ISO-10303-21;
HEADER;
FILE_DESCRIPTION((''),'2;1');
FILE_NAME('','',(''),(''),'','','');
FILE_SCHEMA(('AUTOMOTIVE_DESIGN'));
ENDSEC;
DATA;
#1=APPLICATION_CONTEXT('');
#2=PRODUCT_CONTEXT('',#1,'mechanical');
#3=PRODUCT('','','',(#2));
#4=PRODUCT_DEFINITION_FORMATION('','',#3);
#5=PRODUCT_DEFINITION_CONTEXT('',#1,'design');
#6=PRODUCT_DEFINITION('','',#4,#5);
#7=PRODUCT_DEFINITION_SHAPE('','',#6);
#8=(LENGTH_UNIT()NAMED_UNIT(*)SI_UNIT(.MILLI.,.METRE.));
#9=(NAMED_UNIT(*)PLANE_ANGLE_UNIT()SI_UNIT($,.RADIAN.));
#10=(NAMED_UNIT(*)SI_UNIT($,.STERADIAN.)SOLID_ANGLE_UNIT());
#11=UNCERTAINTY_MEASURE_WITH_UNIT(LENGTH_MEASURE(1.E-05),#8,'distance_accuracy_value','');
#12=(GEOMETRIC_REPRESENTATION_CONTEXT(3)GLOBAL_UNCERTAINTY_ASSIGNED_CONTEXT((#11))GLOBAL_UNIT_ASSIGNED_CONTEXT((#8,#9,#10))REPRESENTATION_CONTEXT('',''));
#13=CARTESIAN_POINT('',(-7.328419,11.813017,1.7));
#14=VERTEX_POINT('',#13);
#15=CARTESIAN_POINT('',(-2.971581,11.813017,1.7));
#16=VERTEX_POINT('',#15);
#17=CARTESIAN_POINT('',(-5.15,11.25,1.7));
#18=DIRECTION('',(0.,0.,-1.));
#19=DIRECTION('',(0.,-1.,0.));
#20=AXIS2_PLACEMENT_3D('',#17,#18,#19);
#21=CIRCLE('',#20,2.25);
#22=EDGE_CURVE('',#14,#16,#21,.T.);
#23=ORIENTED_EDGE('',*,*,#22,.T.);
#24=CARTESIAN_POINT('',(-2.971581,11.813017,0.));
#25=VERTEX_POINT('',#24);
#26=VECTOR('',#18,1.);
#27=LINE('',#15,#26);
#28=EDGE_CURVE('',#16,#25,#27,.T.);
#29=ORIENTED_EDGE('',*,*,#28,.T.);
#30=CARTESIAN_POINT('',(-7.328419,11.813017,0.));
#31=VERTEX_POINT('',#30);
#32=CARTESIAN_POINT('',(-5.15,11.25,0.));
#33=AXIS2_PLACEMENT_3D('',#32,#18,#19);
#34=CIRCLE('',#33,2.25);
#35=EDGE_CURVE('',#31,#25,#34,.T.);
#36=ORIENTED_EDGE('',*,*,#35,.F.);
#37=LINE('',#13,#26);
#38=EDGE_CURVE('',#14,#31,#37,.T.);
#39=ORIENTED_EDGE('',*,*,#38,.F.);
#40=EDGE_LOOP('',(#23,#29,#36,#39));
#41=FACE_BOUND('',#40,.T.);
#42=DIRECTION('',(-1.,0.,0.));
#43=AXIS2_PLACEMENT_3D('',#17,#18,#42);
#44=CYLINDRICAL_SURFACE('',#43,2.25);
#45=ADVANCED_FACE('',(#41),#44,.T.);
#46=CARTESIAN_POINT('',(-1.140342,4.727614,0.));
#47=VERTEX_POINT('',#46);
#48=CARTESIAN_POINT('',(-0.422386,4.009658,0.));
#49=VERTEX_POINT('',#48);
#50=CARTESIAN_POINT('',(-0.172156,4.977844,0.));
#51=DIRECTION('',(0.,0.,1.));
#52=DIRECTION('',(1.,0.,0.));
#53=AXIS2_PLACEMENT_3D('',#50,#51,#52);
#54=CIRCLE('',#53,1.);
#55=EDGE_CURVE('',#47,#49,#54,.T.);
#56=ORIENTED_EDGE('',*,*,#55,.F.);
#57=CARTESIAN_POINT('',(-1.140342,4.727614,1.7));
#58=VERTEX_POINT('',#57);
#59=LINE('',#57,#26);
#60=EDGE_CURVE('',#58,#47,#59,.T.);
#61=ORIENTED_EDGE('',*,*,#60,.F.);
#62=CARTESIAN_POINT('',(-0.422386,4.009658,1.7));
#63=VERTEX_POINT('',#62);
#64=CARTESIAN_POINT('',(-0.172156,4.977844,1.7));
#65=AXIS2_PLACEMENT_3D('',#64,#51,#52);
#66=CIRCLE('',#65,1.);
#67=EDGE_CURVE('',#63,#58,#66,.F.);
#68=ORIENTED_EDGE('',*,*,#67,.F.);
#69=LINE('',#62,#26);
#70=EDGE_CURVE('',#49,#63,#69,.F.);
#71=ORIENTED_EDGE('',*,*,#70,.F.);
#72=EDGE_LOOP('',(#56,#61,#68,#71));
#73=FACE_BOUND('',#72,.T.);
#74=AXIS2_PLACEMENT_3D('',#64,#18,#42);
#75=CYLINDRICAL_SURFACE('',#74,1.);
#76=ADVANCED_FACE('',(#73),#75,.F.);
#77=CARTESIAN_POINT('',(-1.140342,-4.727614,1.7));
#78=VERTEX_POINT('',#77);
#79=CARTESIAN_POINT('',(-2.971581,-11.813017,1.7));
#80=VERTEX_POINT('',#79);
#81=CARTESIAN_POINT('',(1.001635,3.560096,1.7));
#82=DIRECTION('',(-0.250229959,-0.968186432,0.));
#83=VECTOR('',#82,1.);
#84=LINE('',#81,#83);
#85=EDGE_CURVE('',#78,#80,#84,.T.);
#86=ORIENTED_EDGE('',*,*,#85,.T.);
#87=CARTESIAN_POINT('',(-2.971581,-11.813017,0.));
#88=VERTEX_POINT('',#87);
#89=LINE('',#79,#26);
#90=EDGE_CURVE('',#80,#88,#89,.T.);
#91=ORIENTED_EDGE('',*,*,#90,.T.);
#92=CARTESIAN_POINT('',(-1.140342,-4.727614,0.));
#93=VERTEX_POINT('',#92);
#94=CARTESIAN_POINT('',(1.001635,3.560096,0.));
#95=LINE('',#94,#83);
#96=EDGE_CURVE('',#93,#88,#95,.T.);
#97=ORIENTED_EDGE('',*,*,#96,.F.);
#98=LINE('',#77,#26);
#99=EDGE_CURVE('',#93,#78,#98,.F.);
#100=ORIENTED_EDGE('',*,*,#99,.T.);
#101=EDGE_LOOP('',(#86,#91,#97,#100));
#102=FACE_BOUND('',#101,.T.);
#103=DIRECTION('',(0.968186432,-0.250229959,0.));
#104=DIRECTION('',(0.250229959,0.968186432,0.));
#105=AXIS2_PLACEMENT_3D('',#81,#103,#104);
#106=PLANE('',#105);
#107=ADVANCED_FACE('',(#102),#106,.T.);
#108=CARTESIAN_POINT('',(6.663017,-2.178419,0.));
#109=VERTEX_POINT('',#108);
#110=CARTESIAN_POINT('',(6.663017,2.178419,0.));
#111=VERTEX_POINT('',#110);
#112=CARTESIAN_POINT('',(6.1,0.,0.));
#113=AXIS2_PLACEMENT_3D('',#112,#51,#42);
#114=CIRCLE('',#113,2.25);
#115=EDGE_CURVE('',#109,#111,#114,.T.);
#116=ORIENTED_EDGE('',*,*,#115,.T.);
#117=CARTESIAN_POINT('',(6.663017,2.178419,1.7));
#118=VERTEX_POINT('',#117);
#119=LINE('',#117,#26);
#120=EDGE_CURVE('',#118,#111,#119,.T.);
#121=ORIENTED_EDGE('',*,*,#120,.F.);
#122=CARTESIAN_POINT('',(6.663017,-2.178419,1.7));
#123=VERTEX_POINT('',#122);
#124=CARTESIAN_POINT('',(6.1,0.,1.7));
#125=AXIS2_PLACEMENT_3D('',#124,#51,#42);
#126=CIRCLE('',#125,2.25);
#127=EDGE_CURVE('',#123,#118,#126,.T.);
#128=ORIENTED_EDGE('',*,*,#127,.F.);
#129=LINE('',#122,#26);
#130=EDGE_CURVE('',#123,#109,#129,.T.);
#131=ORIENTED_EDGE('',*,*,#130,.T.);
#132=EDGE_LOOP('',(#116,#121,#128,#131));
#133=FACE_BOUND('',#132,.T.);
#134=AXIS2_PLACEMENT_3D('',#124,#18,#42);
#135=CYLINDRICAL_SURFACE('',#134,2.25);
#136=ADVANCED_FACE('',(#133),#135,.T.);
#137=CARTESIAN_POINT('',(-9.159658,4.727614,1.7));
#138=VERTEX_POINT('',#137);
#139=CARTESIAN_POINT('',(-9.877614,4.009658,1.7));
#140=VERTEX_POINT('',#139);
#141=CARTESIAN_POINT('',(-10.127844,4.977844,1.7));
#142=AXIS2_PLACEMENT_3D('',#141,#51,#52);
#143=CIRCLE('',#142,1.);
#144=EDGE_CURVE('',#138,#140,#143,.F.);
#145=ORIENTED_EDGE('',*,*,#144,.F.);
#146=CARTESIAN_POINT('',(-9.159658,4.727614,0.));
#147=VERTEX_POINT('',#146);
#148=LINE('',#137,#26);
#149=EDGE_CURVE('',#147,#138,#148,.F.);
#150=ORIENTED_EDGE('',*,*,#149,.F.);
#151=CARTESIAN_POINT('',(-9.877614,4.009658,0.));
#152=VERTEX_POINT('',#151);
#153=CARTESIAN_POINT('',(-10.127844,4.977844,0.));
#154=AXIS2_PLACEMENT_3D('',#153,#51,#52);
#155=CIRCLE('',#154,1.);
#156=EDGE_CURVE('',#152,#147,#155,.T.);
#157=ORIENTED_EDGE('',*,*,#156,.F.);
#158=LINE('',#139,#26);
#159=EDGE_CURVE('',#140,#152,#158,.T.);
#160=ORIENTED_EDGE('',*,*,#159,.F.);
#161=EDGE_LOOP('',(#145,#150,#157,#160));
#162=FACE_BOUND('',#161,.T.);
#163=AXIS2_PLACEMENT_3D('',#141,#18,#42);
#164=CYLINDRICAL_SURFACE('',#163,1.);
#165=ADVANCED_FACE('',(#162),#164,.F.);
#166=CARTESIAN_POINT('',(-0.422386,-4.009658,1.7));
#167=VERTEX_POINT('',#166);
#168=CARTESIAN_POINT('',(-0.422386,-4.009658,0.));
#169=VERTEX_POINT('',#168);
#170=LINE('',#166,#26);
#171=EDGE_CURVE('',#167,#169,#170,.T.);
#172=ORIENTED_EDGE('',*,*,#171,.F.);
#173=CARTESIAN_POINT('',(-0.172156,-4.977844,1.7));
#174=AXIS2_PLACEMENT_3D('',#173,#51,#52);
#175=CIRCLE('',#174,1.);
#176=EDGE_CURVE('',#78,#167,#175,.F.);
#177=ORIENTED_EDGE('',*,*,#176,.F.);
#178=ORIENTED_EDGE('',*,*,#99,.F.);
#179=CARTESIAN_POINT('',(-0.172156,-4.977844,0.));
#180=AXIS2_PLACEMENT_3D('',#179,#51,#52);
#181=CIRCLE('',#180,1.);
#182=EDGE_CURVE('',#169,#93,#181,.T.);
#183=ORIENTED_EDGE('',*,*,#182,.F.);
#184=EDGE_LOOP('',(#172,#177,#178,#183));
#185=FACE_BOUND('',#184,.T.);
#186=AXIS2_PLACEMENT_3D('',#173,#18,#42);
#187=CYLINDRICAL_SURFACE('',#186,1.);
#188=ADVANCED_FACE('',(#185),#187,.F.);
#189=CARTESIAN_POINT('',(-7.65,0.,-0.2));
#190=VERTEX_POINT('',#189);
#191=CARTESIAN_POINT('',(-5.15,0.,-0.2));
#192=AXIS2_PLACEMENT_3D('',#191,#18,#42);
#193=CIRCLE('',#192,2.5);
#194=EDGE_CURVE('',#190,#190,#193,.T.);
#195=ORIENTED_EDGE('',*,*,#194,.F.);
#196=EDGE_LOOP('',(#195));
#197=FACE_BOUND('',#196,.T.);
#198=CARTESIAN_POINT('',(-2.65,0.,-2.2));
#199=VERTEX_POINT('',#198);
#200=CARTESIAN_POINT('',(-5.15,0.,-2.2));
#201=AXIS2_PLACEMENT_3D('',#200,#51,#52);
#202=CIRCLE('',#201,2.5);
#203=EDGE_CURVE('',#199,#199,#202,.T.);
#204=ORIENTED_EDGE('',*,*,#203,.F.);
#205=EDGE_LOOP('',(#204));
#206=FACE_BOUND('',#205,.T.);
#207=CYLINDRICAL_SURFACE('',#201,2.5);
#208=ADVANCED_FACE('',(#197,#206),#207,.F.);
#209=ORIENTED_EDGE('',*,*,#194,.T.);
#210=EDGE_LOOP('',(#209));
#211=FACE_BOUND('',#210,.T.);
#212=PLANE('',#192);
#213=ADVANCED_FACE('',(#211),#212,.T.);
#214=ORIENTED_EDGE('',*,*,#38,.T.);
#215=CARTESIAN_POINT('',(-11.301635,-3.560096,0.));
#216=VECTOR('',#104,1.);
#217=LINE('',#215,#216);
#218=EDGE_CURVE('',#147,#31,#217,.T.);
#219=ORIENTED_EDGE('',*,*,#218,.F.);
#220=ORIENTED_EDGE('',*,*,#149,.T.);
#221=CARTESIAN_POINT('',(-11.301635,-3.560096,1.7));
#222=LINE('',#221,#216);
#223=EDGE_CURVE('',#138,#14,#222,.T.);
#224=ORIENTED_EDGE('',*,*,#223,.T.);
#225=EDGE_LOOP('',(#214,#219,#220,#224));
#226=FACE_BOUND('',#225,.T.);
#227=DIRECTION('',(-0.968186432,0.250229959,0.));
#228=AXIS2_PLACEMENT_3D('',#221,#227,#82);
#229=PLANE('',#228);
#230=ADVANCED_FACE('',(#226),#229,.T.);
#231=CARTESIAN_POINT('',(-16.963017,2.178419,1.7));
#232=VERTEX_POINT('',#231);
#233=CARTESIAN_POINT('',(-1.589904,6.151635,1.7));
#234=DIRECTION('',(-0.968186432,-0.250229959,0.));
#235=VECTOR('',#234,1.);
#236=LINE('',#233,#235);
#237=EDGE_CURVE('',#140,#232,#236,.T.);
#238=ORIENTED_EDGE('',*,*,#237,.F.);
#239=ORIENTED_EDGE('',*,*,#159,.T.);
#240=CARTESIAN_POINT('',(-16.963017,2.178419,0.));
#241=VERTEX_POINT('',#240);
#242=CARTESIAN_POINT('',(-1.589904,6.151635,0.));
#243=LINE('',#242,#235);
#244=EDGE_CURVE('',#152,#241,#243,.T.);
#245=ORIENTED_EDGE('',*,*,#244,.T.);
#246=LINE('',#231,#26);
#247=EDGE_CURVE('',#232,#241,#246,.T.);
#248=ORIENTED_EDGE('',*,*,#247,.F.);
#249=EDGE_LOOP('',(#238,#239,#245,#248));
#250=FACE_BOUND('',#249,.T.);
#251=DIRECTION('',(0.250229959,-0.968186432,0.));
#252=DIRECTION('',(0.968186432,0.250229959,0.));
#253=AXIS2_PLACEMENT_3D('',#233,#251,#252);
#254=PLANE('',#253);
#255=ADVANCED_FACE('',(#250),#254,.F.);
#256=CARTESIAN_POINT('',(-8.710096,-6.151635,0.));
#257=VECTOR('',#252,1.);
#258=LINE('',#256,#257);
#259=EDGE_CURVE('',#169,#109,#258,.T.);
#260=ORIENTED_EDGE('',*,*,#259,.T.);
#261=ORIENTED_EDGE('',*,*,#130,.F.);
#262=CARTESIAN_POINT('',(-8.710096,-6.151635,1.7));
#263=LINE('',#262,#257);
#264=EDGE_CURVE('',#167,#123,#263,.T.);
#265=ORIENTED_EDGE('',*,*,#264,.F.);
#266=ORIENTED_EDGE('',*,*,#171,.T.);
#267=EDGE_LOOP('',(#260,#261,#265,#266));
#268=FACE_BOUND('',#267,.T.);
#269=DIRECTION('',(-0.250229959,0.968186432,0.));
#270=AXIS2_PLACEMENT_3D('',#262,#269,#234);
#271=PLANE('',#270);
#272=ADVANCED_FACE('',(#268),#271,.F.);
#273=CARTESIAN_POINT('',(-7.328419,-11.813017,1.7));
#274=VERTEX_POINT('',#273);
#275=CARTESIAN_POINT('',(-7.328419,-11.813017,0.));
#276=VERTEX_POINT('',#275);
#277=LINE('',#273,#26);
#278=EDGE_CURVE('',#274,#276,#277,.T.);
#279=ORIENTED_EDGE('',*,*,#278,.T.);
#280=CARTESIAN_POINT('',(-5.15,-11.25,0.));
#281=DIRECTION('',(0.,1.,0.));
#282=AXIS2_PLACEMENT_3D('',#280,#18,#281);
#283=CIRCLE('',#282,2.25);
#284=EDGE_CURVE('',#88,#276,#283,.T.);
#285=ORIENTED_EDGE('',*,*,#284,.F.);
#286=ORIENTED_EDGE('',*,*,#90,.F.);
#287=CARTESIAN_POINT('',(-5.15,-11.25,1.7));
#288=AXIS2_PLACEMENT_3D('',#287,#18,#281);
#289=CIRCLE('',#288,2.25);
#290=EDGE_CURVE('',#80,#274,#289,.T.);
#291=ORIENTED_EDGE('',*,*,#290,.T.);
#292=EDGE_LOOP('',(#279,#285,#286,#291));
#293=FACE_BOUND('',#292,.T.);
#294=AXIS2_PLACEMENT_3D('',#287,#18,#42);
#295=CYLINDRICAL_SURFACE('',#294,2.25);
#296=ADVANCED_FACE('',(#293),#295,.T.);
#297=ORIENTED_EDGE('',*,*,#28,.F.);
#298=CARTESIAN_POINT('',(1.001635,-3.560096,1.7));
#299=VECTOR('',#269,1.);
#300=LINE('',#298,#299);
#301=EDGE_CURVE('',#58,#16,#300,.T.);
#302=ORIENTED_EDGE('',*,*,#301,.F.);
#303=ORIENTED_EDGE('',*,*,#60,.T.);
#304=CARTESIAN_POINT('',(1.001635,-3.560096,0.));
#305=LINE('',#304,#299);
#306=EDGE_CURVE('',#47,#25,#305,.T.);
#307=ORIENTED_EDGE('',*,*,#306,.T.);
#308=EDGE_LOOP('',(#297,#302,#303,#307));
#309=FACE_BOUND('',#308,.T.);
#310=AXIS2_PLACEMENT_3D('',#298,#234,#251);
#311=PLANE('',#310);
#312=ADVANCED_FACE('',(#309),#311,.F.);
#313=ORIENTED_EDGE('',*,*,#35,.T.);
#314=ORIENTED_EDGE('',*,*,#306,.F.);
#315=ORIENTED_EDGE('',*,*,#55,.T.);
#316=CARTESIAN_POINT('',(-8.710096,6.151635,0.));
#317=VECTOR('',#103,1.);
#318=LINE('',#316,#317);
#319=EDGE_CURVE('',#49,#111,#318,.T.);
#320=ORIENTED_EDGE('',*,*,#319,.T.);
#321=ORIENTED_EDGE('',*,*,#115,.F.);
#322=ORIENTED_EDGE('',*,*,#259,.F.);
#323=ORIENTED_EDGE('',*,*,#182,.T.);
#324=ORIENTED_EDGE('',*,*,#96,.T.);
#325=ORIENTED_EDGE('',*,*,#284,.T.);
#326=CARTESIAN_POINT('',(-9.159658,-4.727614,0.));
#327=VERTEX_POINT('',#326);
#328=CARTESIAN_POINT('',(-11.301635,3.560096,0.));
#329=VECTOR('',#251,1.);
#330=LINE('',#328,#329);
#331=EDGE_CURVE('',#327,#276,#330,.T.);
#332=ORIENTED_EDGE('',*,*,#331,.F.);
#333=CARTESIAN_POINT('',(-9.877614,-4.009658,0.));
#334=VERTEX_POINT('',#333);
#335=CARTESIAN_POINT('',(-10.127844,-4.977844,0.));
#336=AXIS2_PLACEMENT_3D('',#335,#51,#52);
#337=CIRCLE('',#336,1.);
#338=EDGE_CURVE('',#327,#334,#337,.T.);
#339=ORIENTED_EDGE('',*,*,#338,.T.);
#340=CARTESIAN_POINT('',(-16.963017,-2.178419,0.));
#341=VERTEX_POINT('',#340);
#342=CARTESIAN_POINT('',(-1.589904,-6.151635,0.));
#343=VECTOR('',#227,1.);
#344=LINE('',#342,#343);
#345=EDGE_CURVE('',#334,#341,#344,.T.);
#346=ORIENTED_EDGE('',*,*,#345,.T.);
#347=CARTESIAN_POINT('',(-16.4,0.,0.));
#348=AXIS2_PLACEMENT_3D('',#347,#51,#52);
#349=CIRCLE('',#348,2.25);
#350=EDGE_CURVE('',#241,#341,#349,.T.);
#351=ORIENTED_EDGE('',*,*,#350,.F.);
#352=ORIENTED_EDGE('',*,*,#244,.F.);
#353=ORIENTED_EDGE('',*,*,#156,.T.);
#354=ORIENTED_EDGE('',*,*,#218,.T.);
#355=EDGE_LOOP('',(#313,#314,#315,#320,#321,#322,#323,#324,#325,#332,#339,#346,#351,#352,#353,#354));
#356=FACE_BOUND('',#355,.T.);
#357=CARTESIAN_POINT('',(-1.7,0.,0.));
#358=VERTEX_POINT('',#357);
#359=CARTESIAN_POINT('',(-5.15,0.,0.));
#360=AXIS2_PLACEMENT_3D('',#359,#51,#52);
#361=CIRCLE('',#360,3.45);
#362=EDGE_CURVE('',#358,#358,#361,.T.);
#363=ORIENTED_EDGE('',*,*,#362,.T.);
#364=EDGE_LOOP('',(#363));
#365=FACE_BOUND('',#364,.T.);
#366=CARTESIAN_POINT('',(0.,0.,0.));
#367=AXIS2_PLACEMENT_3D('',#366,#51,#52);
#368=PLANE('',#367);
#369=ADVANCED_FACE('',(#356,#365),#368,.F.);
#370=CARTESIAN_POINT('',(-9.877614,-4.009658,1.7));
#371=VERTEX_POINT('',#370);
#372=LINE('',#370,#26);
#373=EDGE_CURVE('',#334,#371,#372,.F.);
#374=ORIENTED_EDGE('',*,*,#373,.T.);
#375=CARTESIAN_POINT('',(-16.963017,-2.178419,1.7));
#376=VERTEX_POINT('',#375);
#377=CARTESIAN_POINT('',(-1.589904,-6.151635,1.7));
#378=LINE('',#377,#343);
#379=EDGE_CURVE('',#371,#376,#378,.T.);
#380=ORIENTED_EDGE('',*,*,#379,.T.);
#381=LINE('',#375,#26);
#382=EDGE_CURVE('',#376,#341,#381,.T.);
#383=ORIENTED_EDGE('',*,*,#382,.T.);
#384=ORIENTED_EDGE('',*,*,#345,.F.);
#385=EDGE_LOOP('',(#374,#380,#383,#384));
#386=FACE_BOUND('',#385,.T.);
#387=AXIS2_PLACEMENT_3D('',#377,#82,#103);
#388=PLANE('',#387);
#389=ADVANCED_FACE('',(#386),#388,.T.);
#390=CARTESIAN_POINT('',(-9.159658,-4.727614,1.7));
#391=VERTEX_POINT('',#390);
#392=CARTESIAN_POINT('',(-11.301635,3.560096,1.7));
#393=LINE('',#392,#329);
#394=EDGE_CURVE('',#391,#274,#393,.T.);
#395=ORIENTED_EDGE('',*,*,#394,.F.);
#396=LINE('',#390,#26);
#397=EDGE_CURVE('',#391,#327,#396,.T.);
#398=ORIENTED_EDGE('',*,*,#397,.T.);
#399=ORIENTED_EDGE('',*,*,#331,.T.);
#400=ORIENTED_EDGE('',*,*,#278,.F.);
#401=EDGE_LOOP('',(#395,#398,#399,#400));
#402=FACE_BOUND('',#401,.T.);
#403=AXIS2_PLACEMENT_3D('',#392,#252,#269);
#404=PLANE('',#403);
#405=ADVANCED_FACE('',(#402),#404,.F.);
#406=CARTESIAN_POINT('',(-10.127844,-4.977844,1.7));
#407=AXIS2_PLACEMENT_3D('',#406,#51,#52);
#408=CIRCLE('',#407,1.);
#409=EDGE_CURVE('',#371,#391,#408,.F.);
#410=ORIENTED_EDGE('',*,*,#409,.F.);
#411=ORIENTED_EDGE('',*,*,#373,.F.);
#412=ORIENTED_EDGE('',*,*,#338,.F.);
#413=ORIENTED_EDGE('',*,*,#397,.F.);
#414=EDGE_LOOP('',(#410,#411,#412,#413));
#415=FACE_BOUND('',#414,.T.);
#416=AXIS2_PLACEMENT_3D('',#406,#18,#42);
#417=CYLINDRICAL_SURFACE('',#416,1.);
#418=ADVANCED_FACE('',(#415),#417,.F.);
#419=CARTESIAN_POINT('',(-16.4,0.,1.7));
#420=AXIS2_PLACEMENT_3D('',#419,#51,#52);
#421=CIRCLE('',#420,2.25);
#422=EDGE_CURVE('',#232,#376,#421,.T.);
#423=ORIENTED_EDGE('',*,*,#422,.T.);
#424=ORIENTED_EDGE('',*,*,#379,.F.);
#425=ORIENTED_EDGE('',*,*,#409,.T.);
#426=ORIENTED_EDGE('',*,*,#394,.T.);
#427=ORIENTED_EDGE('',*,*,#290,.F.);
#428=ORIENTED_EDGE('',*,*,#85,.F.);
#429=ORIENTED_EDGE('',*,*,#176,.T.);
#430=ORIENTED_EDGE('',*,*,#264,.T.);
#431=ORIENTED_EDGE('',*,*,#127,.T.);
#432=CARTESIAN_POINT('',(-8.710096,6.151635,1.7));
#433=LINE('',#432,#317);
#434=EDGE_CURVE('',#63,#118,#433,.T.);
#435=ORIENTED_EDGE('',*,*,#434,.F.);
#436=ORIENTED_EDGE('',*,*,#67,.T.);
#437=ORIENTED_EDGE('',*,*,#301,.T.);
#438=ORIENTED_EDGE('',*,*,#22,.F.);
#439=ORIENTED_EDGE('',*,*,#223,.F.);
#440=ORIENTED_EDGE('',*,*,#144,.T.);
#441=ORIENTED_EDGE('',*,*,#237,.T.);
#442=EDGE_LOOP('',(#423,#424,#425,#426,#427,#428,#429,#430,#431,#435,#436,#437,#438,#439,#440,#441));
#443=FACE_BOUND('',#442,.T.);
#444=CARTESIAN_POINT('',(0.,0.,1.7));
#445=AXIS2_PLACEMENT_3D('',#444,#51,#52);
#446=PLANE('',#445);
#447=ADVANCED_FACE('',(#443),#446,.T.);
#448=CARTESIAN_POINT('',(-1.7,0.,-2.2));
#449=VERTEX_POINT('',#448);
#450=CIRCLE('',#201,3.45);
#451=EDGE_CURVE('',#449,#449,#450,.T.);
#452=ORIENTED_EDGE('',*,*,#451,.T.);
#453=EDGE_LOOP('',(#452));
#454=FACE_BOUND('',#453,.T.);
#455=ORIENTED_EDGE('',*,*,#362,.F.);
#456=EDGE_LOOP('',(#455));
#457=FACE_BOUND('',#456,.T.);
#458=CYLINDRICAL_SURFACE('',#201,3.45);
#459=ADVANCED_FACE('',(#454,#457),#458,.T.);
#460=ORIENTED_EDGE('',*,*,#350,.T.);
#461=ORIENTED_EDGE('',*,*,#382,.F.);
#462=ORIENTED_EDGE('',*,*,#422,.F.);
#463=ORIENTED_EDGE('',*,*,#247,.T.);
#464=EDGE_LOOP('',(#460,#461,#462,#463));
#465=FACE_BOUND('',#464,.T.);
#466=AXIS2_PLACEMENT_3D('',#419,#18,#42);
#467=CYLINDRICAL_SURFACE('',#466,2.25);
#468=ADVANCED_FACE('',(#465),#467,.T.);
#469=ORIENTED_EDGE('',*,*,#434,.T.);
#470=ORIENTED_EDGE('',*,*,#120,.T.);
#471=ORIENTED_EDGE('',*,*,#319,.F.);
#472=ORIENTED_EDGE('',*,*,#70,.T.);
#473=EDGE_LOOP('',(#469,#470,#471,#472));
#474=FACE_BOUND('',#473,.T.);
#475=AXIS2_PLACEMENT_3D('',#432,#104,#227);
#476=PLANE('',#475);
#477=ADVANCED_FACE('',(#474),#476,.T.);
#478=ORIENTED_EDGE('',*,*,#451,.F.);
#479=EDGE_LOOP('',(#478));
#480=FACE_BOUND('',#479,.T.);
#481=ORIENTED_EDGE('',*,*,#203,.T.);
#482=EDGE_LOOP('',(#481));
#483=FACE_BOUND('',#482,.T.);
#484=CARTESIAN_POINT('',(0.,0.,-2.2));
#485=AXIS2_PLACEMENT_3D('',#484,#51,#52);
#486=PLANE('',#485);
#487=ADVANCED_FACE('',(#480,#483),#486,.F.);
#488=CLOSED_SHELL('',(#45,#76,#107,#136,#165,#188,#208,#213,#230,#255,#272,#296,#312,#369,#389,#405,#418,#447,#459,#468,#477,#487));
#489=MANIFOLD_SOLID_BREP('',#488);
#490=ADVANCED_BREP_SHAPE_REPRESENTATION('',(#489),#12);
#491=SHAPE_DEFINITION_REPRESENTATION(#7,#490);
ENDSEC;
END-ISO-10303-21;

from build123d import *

# Parameters (mm, degrees)
SKETCH1_R              = 3.45
SKETCH1_R_2            = 2.5
BOSS_EXTRUDE1_DEPTH    = 2.2
BOSS_EXTRUDE4_START    = 1.7
SKETCH1_9_R            = 3.45
SKETCH1_9_R_2          = 2.5
BOSS_EXTRUDE4_DEPTH    = 1.7
BOSS_EXTRUDE5_START    = 1.7
BOSS_EXTRUDE5_DEPTH    = 1.7
MIRROR3_START          = 1.7
MIRROR3_COPY_1_DEPTH   = 1.7
FILLET1_R              = 1
SKETCH2_R              = 2.5
F_0ZVARIANCEBOSS_DEPTH = 0.2


with BuildPart() as part:
    # Sketch1 → Boss-Extrude1 (new body)
    with BuildSketch(Plane.XY):
        with Locations((-5.15, 0)):
            Circle(SKETCH1_R)
        with Locations((-5.15, 0)):
            Circle(SKETCH1_R_2, mode=Mode.SUBTRACT)
    extrude(amount=-BOSS_EXTRUDE1_DEPTH)

    # Sketch1<9> → Boss-Extrude4 (add)
    # profile 1 of 2: a face of its own
    with BuildSketch(Plane.XY.offset(BOSS_EXTRUDE4_START)):
        with Locations((-5.15, 0)):
            Circle(SKETCH1_9_R)
        with Locations((-5.15, 0)):
            Circle(SKETCH1_9_R_2, mode=Mode.SUBTRACT)
    # profile 2 of 2: a face of its own
    with BuildSketch(Plane.XY.offset(BOSS_EXTRUDE4_START)):
        with Locations((-5.15, 0)):
            Circle(SKETCH1_9_R_2)
    extrude(amount=-BOSS_EXTRUDE4_DEPTH)

    # Sketch1<10> → Boss-Extrude5 (add)
    with BuildSketch(Plane.XY.offset(BOSS_EXTRUDE5_START)):
        with BuildLine():
            Line((-7.589518395, 2.439518395), (-8.6, 3.45))
            Line((-8.6, 3.45), (-9.307106781, 4.157106781))
            Line((-9.307106781, 4.157106781), (-16.963017409, 2.178419472))
            ThreePointArc((-16.963017409, 2.178419472), (-18.65, 0), (-16.963017409, -2.178419472))
            Line((-16.963017409, -2.178419472), (-9.307106781, -4.157106781))
            Line((-9.307106781, -4.157106781), (-8.6, -3.45))
            Line((-8.6, -3.45), (-7.589518395, -2.439518395))
            ThreePointArc((-7.589518395, -2.439518395), (-8.6, 0), (-7.589518395, 2.439518395))
        make_face()
    boss_extrude5 = extrude(amount=-BOSS_EXTRUDE5_DEPTH)

    # Mirror2: Boss-Extrude5 across plane
    add(boss_extrude5.mirror(Plane(origin=(-2.575, 2.575, 0), x_dir=(0, 0, 1), z_dir=(0.7071067811865476, -0.7071067811865475, 0))))

    # Mirror3: Boss-Extrude5 across plane
    add(boss_extrude5.mirror(Plane(origin=(-2.575, -2.575, 0), x_dir=(0, 0, 1), z_dir=(0.7071067811865476, 0.7071067811865475, 0))))

    # Mirror3 copy 1 sketch → Mirror3 copy 1 (add)
    with BuildSketch(Plane(origin=(-10.3, 0, 0), x_dir=(-1, 0, 0), z_dir=(0, 0, 1)).offset(MIRROR3_START)):
        with BuildLine():
            Line((-7.589518395, 2.439518395), (-8.6, 3.45))
            Line((-8.6, 3.45), (-9.307106781, 4.157106781))
            Line((-9.307106781, 4.157106781), (-16.963017409, 2.178419472))
            ThreePointArc((-16.963017409, 2.178419472), (-18.65, 0), (-16.963017409, -2.178419472))
            Line((-16.963017409, -2.178419472), (-9.307106781, -4.157106781))
            Line((-9.307106781, -4.157106781), (-8.6, -3.45))
            Line((-8.6, -3.45), (-7.589518395, -2.439518395))
            ThreePointArc((-7.589518395, -2.439518395), (-8.6, 0), (-7.589518395, 2.439518395))
        make_face()
    extrude(amount=-MIRROR3_COPY_1_DEPTH)

    # Fillet1
    fillet1_edges = [part.edges().sort_by_distance(p)[0] for p in [
        (-9.307106781, 4.157106781, 0.85),
        (-9.307106781, -4.157106781, 0.85),
        (-0.992893219, -4.157106781, 0.85),
        (-0.992893219, 4.157106781, 0.85),
    ]]
    fillet(fillet1_edges, radius=FILLET1_R)

    # Sketch2 → 0ZvarianceBoss (add)
    with BuildSketch(Plane(origin=(0, 0, 0), x_dir=(-1, 0, 0), z_dir=(0, 0, -1))):
        with Locations(Location((5.15, 0, 0), (0, 0, 180))):
            Circle(SKETCH2_R)
    extrude(amount=F_0ZVARIANCEBOSS_DEPTH)


solid = part.part
